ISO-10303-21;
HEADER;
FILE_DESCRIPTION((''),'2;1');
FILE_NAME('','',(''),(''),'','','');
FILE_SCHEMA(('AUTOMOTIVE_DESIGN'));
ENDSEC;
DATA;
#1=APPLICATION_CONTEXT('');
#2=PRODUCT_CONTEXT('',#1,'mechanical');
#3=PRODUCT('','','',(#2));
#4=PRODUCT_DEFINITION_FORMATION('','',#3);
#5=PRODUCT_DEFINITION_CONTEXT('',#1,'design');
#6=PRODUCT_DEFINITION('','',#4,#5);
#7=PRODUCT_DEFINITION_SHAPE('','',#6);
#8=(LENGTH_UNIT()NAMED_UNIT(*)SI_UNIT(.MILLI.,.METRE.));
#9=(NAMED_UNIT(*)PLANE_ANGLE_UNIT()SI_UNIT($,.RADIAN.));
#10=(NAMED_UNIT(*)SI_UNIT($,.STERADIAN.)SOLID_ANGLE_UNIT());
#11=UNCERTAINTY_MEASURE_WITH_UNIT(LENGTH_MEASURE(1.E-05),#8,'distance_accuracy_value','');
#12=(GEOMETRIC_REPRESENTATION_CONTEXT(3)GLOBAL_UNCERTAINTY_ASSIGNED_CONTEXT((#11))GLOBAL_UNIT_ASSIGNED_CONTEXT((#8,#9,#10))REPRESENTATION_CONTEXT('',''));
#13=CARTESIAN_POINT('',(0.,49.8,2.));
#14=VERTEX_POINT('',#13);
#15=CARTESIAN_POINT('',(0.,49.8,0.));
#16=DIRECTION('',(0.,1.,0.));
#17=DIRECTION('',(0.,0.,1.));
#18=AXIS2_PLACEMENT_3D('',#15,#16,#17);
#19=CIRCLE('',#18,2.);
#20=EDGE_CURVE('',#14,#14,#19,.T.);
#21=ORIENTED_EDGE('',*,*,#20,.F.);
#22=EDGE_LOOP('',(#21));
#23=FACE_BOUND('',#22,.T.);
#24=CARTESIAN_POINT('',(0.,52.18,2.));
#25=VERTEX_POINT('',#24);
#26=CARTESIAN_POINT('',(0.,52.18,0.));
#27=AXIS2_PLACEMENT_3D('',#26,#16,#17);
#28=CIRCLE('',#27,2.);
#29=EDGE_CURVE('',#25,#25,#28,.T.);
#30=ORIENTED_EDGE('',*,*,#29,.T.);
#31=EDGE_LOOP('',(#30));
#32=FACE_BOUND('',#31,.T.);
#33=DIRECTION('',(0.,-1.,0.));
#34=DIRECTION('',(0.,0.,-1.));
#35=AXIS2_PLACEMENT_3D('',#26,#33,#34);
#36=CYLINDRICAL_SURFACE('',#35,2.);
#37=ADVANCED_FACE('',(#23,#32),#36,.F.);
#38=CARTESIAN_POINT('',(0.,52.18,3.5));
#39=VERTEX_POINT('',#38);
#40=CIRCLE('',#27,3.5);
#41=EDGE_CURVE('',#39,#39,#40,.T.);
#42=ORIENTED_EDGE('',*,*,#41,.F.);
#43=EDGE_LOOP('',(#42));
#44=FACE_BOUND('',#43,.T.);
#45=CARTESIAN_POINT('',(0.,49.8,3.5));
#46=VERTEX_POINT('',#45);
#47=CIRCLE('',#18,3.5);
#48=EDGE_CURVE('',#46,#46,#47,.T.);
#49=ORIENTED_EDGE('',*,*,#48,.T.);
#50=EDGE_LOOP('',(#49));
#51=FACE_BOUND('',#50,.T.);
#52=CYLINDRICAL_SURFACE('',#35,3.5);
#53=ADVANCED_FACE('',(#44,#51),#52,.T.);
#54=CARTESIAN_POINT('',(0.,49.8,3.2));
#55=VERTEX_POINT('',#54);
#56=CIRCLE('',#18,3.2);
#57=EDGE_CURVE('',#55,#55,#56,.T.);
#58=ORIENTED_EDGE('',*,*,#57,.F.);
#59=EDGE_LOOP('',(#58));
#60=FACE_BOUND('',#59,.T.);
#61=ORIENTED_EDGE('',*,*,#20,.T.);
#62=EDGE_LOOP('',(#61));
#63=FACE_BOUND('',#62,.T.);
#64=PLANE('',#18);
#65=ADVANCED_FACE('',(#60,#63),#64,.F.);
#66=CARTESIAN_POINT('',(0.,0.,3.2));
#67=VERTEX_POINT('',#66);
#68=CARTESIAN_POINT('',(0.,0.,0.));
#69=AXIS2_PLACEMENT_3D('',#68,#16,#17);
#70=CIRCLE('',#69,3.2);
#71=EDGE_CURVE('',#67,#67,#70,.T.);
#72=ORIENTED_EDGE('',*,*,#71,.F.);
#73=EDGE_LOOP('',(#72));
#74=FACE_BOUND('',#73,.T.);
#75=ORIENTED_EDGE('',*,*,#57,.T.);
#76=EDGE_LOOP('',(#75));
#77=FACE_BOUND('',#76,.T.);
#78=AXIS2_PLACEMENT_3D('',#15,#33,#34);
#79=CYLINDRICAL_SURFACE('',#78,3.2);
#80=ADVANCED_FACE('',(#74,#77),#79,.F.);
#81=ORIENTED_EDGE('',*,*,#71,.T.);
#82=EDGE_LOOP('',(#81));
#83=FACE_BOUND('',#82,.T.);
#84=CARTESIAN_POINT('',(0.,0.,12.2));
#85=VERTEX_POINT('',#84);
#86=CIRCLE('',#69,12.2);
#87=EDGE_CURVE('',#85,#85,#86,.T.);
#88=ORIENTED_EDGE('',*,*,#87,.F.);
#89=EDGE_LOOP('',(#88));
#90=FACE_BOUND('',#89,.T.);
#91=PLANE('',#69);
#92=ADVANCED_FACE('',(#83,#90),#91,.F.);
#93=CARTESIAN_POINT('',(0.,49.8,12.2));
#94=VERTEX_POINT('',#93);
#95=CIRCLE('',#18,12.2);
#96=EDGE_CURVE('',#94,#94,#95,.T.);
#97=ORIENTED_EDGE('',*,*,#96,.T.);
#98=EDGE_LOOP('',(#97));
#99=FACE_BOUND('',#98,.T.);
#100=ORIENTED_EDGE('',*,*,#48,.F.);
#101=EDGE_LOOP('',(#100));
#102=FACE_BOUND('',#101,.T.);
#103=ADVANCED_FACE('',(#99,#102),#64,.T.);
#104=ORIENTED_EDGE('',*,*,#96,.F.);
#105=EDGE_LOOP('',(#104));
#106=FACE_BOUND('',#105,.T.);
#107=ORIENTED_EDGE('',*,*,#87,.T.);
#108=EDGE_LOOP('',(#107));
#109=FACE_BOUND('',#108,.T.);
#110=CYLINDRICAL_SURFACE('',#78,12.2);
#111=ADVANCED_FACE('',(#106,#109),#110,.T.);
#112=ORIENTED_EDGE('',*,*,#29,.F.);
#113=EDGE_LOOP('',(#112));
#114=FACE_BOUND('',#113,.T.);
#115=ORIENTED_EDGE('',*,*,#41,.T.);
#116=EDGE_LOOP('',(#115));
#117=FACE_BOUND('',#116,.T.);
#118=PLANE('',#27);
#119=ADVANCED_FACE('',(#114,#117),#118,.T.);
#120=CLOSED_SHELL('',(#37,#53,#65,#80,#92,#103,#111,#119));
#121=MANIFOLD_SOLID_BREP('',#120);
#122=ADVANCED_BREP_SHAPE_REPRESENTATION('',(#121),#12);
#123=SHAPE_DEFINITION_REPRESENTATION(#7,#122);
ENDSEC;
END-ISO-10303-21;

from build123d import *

# Parameters (mm, degrees)
SKETCH3_R           = 12.2
SKETCH3_R_2         = 3.2
BOSS_EXTRUDE1_DEPTH = 49.8
SKETCH4_R           = 3.5
SKETCH4_R_2         = 2
BOSS_EXTRUDE2_DEPTH = 2.38


with BuildPart() as part:
    # Sketch3 → Boss-Extrude1 (new body)
    with BuildSketch(Plane(origin=(0, 0, 0), x_dir=(1, 0, 0), z_dir=(0, 1, 0))):
        Circle(SKETCH3_R)
        Circle(SKETCH3_R_2, mode=Mode.SUBTRACT)
    extrude(amount=BOSS_EXTRUDE1_DEPTH)

    # Sketch4 → Boss-Extrude2 (add)
    with BuildSketch(Plane(origin=(0, 49.8, 0), x_dir=(1, 0, 0), z_dir=(0, 1, 0))):
        Circle(SKETCH4_R)
        Circle(SKETCH4_R_2, mode=Mode.SUBTRACT)
    extrude(amount=BOSS_EXTRUDE2_DEPTH)


solid = part.part
